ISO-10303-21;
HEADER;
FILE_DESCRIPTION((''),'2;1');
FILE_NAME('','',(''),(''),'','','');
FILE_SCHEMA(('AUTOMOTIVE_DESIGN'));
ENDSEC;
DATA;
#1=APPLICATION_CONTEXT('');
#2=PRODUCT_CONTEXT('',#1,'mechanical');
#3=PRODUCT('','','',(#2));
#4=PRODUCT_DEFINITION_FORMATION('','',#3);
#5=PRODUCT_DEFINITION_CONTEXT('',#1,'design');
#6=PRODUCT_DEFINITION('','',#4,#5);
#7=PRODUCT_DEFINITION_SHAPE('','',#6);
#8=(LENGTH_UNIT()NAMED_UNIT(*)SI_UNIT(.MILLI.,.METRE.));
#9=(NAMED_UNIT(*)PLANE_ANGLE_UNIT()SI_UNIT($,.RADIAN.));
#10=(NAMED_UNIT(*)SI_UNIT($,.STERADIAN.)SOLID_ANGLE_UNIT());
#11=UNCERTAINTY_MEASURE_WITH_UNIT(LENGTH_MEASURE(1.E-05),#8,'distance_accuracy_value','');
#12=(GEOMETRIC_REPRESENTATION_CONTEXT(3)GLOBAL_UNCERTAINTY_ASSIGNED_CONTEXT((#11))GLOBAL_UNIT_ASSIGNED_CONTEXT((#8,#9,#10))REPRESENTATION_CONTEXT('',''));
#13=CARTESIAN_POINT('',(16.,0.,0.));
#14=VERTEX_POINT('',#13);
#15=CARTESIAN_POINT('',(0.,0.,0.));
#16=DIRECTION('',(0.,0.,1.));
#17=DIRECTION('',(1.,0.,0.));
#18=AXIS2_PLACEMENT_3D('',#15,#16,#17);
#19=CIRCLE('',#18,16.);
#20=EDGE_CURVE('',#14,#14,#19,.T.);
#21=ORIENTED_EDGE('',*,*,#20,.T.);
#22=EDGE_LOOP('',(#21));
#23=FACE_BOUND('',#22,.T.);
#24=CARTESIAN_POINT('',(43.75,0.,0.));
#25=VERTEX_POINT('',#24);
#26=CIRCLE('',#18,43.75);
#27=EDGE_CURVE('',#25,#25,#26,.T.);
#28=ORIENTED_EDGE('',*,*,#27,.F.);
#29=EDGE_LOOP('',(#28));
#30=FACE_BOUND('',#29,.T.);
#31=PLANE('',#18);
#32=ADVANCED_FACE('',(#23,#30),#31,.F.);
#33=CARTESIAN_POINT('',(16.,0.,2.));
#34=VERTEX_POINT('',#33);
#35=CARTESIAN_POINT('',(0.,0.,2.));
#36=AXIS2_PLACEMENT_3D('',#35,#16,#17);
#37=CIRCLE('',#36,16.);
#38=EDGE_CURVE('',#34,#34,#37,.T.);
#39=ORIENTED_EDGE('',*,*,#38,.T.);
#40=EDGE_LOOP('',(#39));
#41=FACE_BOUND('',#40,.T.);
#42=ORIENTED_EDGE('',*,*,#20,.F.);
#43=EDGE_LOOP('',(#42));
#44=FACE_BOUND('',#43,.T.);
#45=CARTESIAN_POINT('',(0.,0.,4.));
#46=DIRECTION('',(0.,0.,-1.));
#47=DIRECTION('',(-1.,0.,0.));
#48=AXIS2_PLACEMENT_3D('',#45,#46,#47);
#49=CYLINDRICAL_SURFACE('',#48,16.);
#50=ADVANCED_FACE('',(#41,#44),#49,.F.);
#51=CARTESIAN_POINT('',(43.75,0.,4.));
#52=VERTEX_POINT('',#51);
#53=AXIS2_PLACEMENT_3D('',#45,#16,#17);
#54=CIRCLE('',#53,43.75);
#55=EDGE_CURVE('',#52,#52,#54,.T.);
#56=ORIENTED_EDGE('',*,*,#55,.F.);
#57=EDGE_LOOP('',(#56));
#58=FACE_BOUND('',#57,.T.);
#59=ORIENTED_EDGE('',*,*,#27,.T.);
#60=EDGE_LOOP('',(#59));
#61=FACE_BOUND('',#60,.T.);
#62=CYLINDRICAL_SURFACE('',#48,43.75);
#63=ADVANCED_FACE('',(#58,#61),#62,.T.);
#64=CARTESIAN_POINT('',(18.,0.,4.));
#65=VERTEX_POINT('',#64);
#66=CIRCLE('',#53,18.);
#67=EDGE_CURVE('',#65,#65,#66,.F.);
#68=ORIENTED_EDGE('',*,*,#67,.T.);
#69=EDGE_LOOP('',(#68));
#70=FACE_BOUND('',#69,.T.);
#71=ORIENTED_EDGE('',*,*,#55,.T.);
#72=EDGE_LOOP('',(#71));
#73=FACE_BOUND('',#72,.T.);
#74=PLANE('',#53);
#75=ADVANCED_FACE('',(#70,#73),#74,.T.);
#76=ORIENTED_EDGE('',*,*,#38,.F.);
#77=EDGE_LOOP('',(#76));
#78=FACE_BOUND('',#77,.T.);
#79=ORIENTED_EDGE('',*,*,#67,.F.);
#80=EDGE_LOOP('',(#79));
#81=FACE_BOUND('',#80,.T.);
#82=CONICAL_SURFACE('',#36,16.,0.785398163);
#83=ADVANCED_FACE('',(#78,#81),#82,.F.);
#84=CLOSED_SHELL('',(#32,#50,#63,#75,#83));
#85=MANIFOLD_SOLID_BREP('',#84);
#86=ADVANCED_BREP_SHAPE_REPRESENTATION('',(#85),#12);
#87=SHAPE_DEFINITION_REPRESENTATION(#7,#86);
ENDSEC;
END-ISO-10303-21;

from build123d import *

# Parameters (mm, degrees)
ESBO_O2_R                = 43.75
ESBO_O2_R_2              = 16
RESSALTO_EXTRUS_O1_DEPTH = 4
CHANFRO2_SIZE            = 2


with BuildPart() as part:
    # Esboço2 → Ressalto-extrusão1 (new body)
    with BuildSketch(Plane.XY):
        Circle(ESBO_O2_R)
        Circle(ESBO_O2_R_2, mode=Mode.SUBTRACT)
    extrude(amount=RESSALTO_EXTRUS_O1_DEPTH)

    # Chanfro2
    chanfro2_edges = [part.edges().sort_by_distance(p)[0] for p in [
        (-16, 0, 4),
    ]]
    chamfer(chanfro2_edges, length=CHANFRO2_SIZE)


solid = part.part
